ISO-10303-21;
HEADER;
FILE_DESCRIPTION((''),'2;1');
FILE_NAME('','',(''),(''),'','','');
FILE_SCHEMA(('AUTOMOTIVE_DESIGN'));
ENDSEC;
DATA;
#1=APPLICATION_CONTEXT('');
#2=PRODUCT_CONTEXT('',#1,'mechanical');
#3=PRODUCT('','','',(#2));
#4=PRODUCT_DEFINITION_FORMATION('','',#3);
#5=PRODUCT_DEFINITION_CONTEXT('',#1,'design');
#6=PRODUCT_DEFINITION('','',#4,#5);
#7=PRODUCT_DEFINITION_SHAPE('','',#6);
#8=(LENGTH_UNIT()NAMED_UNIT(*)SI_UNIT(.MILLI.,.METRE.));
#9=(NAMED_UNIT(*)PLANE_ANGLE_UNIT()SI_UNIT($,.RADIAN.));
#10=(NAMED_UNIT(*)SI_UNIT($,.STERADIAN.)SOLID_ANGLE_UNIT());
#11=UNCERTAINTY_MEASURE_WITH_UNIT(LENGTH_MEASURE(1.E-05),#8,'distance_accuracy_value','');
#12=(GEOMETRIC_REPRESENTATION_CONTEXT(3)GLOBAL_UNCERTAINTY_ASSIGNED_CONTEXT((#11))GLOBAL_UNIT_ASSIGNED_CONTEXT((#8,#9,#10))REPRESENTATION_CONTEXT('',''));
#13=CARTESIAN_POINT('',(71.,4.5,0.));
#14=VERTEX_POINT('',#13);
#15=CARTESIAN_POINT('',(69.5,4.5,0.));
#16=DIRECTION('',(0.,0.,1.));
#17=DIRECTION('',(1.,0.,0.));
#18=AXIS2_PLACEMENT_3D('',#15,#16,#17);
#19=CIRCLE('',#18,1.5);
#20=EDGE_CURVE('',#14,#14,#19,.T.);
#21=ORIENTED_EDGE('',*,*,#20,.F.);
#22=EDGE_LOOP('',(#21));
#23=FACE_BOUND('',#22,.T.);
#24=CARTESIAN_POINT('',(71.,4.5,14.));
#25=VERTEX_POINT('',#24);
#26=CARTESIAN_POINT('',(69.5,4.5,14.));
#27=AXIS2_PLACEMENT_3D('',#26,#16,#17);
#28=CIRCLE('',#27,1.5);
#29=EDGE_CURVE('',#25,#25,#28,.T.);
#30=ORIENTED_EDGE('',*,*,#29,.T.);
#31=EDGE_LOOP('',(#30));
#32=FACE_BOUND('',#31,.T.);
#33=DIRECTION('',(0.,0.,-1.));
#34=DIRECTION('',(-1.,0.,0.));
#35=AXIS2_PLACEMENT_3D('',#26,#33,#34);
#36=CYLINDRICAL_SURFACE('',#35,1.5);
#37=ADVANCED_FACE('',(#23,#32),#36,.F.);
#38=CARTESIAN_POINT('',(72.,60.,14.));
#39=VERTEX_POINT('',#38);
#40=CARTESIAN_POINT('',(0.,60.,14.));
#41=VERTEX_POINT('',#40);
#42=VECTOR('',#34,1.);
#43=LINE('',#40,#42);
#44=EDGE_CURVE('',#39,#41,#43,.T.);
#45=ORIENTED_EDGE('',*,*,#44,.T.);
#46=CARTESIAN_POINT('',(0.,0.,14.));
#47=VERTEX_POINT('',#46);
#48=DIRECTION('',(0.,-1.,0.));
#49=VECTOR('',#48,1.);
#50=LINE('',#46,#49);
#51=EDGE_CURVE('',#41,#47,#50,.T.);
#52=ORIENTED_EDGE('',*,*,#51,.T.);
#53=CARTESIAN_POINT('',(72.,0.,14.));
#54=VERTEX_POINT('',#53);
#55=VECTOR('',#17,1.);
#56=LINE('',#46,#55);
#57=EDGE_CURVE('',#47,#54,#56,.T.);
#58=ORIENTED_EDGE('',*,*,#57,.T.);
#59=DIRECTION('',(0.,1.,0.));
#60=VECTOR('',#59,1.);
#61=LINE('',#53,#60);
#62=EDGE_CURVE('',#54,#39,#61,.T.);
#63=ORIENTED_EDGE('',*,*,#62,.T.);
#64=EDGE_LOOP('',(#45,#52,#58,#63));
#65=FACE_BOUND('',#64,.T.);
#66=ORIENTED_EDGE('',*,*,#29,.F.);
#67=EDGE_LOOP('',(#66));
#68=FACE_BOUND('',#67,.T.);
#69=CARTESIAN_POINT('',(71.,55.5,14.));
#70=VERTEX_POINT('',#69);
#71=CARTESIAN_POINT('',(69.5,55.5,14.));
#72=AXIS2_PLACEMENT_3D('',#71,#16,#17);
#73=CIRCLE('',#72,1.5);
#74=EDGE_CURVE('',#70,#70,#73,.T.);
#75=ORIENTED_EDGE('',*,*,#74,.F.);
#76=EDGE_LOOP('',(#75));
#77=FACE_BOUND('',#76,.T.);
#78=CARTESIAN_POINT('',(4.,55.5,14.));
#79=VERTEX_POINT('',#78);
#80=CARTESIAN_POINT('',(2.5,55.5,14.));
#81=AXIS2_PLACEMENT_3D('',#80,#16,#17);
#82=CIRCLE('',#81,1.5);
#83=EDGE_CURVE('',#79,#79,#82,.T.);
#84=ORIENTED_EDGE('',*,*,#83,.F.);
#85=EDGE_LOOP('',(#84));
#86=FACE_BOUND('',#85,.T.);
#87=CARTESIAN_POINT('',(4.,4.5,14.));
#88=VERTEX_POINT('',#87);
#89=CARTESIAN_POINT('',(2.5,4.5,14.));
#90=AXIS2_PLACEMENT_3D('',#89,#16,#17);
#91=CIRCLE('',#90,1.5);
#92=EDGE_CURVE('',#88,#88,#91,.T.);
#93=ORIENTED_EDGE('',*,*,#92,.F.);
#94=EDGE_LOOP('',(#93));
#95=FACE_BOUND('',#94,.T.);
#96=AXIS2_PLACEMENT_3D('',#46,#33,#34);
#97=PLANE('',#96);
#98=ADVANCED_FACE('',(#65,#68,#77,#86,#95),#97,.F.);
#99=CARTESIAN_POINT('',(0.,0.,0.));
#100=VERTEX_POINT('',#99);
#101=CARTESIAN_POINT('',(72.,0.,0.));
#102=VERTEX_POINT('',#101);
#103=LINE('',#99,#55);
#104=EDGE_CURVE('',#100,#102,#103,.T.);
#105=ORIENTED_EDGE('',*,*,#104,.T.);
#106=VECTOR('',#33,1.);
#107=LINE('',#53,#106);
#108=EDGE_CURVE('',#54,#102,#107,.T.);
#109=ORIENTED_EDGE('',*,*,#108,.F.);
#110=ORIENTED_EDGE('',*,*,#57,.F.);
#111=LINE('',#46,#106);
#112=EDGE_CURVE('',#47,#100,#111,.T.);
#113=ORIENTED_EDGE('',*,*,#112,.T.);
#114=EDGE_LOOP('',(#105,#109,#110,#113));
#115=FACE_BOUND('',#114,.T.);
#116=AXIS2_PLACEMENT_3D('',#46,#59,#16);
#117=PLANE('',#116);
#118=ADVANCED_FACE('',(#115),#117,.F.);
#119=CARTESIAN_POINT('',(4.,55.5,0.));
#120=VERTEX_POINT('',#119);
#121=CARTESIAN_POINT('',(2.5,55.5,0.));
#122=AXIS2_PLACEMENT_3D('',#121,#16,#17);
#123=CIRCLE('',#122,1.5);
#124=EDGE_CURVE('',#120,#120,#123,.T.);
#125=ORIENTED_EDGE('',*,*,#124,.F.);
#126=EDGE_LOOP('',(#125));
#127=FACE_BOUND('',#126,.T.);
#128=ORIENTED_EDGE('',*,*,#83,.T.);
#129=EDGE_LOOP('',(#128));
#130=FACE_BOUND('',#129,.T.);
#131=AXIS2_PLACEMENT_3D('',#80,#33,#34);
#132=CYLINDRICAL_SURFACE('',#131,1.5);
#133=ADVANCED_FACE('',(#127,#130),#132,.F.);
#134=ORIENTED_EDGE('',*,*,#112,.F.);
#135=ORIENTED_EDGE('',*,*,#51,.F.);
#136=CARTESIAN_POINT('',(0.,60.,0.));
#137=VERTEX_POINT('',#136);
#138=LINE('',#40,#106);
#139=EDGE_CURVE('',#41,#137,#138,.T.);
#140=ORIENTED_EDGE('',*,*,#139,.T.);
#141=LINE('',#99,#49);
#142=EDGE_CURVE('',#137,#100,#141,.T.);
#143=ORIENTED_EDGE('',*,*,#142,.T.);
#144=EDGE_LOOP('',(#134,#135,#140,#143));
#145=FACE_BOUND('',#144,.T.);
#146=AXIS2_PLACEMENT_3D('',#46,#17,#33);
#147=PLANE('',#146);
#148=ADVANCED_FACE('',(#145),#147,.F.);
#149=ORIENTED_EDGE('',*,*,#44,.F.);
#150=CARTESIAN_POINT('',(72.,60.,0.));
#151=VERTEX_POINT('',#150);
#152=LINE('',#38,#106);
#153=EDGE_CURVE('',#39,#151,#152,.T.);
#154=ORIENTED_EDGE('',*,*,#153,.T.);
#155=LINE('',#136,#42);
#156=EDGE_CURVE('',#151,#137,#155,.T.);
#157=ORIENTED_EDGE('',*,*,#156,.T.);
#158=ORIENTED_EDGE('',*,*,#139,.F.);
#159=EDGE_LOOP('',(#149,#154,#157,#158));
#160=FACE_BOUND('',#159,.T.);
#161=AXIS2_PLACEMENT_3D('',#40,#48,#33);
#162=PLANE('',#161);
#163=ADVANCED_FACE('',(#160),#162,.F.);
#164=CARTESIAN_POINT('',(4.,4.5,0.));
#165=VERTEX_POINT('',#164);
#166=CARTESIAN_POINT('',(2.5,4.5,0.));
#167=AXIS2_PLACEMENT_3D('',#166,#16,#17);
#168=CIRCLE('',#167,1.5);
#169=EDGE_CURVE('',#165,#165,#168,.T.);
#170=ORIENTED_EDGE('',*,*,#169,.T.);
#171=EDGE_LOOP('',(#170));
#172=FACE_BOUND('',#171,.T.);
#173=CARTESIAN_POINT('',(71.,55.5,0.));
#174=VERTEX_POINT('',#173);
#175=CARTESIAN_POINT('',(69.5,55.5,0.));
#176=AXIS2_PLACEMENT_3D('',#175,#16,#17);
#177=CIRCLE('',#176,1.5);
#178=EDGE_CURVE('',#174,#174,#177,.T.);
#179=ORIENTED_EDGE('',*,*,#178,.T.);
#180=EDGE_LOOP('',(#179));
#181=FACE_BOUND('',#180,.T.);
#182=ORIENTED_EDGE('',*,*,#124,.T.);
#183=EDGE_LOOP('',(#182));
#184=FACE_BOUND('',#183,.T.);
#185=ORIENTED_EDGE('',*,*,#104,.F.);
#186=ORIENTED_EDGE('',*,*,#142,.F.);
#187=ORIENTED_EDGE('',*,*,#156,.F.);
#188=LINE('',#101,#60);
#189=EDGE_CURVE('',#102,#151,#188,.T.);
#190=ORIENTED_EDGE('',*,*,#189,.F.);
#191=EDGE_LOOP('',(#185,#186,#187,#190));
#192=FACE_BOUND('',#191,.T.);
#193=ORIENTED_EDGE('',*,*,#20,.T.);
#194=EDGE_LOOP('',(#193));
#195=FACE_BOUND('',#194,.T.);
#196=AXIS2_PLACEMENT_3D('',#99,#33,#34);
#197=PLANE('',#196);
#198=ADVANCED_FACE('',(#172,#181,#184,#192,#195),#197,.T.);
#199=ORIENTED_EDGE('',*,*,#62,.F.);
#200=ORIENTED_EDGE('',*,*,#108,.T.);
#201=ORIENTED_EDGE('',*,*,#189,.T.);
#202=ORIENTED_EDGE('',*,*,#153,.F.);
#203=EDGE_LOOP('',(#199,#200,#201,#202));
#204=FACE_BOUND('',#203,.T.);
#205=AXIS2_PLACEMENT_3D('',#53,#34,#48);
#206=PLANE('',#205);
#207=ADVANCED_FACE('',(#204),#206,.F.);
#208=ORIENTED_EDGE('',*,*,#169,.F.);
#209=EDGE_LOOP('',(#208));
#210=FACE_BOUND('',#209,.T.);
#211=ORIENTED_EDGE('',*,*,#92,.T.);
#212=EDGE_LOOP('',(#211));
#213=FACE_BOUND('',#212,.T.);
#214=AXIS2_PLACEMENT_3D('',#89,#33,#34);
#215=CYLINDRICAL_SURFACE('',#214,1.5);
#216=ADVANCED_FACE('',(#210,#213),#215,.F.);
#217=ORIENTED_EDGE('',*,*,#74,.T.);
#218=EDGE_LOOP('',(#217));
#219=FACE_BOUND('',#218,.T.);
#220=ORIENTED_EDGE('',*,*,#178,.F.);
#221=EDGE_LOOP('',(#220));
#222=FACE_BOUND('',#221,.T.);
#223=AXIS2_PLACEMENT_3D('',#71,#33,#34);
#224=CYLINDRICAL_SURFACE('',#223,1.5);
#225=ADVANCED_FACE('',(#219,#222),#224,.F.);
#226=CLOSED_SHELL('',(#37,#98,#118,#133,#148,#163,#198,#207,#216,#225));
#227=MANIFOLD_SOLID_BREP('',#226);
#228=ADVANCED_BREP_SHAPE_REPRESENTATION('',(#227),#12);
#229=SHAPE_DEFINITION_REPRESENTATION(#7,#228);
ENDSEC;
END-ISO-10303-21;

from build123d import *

# Parameters (mm, degrees)
CROQUIS1_W              = 72
CROQUIS1_H              = 60
CROQUIS1_R              = 1.5
SALIENTE_EXTRUIR1_DEPTH = 14


with BuildPart() as part:
    # Croquis1 → Saliente-Extruir1 (new body)
    with BuildSketch(Plane.XY):
        with Locations((36, 30)):
            Rectangle(CROQUIS1_W, CROQUIS1_H)
        with Locations((2.5, 55.5)):
            Circle(CROQUIS1_R, mode=Mode.SUBTRACT)
        with Locations((69.5, 55.5)):
            Circle(CROQUIS1_R, mode=Mode.SUBTRACT)
        with Locations((69.5, 4.5)):
            Circle(CROQUIS1_R, mode=Mode.SUBTRACT)
        with Locations((2.5, 4.5)):
            Circle(CROQUIS1_R, mode=Mode.SUBTRACT)
    extrude(amount=SALIENTE_EXTRUIR1_DEPTH)


solid = part.part
